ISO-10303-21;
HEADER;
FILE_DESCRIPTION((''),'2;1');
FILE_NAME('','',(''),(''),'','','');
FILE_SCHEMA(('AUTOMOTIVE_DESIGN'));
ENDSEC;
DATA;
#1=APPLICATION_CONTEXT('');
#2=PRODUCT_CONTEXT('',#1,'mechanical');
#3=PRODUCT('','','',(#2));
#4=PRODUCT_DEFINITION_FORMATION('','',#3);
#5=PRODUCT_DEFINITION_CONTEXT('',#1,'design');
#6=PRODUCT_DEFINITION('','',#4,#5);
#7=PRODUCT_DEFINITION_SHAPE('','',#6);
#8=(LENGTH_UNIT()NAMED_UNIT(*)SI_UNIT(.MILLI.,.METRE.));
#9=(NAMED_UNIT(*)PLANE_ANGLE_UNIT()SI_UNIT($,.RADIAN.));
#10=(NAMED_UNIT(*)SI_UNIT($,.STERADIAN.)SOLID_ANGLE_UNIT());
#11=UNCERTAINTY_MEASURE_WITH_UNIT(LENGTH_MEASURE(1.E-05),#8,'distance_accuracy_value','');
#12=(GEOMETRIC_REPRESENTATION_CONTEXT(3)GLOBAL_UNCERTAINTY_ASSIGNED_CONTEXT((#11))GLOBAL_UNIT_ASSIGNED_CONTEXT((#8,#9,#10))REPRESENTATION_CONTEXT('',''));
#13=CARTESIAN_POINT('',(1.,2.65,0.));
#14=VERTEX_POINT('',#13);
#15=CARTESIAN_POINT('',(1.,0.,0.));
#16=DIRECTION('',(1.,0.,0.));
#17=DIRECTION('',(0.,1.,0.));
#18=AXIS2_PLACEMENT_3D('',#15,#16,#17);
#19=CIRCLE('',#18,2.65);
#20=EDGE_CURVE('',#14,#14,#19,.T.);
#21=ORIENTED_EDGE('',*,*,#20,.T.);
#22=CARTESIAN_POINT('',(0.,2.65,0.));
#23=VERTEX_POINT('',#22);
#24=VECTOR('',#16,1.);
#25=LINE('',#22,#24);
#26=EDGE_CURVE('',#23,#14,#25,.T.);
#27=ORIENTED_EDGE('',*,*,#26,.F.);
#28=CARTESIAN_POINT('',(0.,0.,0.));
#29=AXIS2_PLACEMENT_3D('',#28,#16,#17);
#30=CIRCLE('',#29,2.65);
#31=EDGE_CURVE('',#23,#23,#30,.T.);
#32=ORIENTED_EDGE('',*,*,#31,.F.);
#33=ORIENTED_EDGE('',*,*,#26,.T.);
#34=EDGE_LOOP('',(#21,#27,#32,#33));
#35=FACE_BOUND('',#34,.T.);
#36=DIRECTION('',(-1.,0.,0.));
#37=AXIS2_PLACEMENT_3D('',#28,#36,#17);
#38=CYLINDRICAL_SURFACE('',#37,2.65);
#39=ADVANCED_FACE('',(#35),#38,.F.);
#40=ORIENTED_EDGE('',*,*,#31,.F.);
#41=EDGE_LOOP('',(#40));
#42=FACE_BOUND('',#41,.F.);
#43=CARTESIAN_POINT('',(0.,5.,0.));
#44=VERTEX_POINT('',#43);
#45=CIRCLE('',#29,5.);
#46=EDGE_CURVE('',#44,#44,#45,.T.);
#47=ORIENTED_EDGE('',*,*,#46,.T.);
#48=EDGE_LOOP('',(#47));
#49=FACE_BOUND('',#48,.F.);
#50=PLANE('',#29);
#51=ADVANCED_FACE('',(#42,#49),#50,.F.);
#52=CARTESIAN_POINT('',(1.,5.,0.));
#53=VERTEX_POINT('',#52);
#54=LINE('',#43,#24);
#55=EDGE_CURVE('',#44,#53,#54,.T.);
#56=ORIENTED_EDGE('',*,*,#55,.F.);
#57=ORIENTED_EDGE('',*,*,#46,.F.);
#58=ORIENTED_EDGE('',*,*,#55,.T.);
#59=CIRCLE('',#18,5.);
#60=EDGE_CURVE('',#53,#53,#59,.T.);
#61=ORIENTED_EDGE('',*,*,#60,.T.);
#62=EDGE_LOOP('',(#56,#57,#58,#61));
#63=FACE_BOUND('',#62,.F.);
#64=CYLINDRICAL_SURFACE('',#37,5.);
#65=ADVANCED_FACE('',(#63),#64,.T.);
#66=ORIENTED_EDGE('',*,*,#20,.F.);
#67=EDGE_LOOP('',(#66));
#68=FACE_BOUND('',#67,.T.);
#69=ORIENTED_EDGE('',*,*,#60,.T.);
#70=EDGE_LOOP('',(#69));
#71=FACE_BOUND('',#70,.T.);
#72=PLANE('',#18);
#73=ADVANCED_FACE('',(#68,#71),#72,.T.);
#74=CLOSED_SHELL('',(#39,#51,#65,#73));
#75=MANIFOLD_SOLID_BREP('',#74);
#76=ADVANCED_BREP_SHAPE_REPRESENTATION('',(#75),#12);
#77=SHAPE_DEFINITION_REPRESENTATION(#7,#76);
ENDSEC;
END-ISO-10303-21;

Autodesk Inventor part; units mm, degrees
ref_plane "YZ Plane" through (0, 0, 0) normal (1, 0, 0) x (0, 1, 0)
ref_plane "XZ Plane" through (0, 0, 0) normal (0, 1, 0) x (-1, 0, 0)
sketch "Esquisse" plane through (0, 0, 0) normal (1, 0, 0) x (0, 1, 0)
  circle A0 centre (0, 0) radius 5
  circle A1 centre (0, 0) radius 2.65
  dimension "d0" = 5.3
  dimension "d1" = 10
extrude "Corps" add sketch "Esquisse" along normal blind 1
ref_plane "Work Plane1" through (0, 0, 0) normal (0, 0, 1) x (1, 0, 0)
equation "\"d0\" = SD1"
equation "\"d1\" = SD2"
equation "\"d2\" = SD"
equation "\"SD1\" = 5.3"
equation "\"SD2\" = 10"
equation "\"SD\" = 1"
equation "\"NND\" = 5"
properties part number "DIN 125 - A 5,3" material "Acier, doux"
